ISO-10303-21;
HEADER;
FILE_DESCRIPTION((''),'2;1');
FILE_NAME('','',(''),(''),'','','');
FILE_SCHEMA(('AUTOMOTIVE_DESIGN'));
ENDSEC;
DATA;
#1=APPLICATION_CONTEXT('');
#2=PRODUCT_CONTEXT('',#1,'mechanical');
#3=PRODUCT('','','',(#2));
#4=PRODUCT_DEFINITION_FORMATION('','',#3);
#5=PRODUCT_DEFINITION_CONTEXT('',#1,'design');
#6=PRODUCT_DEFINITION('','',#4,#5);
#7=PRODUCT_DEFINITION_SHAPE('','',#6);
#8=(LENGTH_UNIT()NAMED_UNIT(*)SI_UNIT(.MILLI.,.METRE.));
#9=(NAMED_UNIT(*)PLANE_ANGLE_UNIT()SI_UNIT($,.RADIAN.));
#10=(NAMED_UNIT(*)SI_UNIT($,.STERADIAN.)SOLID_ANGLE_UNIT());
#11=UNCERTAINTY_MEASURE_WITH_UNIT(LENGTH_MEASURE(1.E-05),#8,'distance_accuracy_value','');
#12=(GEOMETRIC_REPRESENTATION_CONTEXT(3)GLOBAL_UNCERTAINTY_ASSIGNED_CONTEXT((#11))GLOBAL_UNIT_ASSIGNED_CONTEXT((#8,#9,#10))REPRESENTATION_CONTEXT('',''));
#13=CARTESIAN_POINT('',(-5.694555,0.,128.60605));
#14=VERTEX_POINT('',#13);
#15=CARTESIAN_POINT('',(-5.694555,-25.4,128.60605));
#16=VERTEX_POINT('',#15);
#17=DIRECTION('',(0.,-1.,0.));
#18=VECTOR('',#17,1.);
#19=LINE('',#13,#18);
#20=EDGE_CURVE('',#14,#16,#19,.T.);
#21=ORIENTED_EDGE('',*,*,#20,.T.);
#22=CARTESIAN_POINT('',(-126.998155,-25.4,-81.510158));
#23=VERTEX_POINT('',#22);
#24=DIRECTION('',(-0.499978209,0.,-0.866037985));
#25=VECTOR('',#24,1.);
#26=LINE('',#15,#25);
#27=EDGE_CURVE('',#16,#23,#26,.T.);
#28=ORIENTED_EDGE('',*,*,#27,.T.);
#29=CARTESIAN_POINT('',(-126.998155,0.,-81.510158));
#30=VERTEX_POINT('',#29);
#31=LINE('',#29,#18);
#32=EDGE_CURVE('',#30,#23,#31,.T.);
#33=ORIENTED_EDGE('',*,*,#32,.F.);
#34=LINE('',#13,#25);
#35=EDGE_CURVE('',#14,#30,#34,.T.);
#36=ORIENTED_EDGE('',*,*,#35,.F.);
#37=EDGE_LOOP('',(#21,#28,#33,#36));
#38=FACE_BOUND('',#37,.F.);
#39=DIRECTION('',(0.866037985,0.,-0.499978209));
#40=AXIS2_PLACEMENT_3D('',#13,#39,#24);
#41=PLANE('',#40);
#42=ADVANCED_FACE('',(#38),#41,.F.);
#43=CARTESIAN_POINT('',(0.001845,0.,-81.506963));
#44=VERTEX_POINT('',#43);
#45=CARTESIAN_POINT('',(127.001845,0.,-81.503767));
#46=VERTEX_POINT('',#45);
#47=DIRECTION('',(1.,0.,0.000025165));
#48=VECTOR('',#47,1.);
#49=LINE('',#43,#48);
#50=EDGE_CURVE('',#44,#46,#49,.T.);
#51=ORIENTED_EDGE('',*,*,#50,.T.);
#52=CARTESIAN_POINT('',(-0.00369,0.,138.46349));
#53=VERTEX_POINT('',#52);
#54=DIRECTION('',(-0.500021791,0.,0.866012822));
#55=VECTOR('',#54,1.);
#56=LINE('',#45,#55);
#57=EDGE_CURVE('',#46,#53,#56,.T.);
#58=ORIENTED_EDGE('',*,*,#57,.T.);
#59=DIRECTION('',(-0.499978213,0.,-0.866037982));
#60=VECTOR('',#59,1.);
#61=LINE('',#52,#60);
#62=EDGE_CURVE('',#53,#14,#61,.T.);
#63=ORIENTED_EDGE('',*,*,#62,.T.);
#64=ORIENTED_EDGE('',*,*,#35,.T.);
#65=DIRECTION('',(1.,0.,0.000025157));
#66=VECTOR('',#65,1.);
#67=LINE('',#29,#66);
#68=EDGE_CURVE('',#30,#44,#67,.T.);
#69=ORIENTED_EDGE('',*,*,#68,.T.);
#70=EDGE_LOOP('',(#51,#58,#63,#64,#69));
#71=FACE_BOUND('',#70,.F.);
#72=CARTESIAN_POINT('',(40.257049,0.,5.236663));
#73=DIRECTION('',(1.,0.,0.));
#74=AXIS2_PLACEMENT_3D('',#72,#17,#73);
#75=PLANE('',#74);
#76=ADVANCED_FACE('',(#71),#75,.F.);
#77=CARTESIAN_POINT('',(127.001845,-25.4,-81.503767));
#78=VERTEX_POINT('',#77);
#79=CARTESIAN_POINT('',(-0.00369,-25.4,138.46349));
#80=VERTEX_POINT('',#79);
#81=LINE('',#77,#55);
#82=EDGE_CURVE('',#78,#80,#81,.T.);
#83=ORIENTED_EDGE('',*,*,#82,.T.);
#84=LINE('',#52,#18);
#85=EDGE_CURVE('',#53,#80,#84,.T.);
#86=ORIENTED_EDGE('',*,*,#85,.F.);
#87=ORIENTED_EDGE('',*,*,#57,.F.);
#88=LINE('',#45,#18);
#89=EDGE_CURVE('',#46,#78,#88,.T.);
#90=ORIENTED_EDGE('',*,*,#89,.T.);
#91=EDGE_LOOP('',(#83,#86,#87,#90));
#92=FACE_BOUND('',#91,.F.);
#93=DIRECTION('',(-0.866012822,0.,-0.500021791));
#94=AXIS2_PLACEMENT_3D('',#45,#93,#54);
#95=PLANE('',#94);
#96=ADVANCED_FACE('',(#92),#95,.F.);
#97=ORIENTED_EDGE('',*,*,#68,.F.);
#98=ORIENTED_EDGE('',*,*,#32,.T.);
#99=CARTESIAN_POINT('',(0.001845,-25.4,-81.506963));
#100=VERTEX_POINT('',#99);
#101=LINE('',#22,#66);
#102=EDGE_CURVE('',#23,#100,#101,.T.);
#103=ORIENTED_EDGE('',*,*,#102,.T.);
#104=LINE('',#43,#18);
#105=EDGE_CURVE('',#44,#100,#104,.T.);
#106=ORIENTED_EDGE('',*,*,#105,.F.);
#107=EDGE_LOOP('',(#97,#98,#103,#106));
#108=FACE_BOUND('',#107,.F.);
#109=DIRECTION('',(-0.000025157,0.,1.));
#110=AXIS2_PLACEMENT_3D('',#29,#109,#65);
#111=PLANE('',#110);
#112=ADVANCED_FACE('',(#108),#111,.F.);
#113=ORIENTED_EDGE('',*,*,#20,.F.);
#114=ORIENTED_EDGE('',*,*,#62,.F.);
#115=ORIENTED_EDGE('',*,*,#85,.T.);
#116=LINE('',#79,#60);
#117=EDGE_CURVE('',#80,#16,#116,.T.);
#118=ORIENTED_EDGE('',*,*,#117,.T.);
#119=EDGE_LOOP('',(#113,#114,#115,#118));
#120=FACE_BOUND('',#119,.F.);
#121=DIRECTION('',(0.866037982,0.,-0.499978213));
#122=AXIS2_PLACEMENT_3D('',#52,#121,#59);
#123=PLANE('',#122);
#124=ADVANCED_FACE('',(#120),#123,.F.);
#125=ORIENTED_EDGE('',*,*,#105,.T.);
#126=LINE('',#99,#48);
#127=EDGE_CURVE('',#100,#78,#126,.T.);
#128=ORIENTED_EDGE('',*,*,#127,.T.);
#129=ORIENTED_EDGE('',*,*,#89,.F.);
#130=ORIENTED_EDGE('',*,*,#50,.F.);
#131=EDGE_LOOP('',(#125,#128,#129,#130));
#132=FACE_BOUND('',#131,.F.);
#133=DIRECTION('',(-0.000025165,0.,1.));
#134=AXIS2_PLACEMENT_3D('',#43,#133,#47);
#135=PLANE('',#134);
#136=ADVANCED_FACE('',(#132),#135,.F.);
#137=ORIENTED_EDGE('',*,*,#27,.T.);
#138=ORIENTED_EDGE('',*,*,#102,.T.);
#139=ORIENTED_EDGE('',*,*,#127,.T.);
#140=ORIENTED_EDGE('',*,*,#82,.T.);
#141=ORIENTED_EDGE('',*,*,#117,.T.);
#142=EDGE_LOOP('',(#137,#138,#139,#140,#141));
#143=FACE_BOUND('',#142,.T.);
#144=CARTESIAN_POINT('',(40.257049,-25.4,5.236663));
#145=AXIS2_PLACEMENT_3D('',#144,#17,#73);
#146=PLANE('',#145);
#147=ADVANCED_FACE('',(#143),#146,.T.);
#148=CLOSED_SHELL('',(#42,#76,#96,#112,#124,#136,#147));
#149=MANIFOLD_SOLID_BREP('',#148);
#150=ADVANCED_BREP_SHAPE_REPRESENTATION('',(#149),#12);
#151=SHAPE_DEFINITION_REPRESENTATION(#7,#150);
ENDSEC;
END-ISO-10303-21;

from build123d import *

# Parameters (mm, degrees)
F1_DEPTH = 25.4


with BuildPart() as f1:
    # F0 (on Front) → F1 (new body)
    with BuildSketch(Plane.XZ):
        Polygon((0.001845, -81.506963), (127.001845, -81.503767), (-0.00369, 138.46349), align=None)
        Polygon((-126.998155, -81.510158), (0.001845, -81.506963), (-0.00369, 138.46349), (-5.694555, 128.60605), align=None)
    extrude(amount=F1_DEPTH)


solid = f1.part
